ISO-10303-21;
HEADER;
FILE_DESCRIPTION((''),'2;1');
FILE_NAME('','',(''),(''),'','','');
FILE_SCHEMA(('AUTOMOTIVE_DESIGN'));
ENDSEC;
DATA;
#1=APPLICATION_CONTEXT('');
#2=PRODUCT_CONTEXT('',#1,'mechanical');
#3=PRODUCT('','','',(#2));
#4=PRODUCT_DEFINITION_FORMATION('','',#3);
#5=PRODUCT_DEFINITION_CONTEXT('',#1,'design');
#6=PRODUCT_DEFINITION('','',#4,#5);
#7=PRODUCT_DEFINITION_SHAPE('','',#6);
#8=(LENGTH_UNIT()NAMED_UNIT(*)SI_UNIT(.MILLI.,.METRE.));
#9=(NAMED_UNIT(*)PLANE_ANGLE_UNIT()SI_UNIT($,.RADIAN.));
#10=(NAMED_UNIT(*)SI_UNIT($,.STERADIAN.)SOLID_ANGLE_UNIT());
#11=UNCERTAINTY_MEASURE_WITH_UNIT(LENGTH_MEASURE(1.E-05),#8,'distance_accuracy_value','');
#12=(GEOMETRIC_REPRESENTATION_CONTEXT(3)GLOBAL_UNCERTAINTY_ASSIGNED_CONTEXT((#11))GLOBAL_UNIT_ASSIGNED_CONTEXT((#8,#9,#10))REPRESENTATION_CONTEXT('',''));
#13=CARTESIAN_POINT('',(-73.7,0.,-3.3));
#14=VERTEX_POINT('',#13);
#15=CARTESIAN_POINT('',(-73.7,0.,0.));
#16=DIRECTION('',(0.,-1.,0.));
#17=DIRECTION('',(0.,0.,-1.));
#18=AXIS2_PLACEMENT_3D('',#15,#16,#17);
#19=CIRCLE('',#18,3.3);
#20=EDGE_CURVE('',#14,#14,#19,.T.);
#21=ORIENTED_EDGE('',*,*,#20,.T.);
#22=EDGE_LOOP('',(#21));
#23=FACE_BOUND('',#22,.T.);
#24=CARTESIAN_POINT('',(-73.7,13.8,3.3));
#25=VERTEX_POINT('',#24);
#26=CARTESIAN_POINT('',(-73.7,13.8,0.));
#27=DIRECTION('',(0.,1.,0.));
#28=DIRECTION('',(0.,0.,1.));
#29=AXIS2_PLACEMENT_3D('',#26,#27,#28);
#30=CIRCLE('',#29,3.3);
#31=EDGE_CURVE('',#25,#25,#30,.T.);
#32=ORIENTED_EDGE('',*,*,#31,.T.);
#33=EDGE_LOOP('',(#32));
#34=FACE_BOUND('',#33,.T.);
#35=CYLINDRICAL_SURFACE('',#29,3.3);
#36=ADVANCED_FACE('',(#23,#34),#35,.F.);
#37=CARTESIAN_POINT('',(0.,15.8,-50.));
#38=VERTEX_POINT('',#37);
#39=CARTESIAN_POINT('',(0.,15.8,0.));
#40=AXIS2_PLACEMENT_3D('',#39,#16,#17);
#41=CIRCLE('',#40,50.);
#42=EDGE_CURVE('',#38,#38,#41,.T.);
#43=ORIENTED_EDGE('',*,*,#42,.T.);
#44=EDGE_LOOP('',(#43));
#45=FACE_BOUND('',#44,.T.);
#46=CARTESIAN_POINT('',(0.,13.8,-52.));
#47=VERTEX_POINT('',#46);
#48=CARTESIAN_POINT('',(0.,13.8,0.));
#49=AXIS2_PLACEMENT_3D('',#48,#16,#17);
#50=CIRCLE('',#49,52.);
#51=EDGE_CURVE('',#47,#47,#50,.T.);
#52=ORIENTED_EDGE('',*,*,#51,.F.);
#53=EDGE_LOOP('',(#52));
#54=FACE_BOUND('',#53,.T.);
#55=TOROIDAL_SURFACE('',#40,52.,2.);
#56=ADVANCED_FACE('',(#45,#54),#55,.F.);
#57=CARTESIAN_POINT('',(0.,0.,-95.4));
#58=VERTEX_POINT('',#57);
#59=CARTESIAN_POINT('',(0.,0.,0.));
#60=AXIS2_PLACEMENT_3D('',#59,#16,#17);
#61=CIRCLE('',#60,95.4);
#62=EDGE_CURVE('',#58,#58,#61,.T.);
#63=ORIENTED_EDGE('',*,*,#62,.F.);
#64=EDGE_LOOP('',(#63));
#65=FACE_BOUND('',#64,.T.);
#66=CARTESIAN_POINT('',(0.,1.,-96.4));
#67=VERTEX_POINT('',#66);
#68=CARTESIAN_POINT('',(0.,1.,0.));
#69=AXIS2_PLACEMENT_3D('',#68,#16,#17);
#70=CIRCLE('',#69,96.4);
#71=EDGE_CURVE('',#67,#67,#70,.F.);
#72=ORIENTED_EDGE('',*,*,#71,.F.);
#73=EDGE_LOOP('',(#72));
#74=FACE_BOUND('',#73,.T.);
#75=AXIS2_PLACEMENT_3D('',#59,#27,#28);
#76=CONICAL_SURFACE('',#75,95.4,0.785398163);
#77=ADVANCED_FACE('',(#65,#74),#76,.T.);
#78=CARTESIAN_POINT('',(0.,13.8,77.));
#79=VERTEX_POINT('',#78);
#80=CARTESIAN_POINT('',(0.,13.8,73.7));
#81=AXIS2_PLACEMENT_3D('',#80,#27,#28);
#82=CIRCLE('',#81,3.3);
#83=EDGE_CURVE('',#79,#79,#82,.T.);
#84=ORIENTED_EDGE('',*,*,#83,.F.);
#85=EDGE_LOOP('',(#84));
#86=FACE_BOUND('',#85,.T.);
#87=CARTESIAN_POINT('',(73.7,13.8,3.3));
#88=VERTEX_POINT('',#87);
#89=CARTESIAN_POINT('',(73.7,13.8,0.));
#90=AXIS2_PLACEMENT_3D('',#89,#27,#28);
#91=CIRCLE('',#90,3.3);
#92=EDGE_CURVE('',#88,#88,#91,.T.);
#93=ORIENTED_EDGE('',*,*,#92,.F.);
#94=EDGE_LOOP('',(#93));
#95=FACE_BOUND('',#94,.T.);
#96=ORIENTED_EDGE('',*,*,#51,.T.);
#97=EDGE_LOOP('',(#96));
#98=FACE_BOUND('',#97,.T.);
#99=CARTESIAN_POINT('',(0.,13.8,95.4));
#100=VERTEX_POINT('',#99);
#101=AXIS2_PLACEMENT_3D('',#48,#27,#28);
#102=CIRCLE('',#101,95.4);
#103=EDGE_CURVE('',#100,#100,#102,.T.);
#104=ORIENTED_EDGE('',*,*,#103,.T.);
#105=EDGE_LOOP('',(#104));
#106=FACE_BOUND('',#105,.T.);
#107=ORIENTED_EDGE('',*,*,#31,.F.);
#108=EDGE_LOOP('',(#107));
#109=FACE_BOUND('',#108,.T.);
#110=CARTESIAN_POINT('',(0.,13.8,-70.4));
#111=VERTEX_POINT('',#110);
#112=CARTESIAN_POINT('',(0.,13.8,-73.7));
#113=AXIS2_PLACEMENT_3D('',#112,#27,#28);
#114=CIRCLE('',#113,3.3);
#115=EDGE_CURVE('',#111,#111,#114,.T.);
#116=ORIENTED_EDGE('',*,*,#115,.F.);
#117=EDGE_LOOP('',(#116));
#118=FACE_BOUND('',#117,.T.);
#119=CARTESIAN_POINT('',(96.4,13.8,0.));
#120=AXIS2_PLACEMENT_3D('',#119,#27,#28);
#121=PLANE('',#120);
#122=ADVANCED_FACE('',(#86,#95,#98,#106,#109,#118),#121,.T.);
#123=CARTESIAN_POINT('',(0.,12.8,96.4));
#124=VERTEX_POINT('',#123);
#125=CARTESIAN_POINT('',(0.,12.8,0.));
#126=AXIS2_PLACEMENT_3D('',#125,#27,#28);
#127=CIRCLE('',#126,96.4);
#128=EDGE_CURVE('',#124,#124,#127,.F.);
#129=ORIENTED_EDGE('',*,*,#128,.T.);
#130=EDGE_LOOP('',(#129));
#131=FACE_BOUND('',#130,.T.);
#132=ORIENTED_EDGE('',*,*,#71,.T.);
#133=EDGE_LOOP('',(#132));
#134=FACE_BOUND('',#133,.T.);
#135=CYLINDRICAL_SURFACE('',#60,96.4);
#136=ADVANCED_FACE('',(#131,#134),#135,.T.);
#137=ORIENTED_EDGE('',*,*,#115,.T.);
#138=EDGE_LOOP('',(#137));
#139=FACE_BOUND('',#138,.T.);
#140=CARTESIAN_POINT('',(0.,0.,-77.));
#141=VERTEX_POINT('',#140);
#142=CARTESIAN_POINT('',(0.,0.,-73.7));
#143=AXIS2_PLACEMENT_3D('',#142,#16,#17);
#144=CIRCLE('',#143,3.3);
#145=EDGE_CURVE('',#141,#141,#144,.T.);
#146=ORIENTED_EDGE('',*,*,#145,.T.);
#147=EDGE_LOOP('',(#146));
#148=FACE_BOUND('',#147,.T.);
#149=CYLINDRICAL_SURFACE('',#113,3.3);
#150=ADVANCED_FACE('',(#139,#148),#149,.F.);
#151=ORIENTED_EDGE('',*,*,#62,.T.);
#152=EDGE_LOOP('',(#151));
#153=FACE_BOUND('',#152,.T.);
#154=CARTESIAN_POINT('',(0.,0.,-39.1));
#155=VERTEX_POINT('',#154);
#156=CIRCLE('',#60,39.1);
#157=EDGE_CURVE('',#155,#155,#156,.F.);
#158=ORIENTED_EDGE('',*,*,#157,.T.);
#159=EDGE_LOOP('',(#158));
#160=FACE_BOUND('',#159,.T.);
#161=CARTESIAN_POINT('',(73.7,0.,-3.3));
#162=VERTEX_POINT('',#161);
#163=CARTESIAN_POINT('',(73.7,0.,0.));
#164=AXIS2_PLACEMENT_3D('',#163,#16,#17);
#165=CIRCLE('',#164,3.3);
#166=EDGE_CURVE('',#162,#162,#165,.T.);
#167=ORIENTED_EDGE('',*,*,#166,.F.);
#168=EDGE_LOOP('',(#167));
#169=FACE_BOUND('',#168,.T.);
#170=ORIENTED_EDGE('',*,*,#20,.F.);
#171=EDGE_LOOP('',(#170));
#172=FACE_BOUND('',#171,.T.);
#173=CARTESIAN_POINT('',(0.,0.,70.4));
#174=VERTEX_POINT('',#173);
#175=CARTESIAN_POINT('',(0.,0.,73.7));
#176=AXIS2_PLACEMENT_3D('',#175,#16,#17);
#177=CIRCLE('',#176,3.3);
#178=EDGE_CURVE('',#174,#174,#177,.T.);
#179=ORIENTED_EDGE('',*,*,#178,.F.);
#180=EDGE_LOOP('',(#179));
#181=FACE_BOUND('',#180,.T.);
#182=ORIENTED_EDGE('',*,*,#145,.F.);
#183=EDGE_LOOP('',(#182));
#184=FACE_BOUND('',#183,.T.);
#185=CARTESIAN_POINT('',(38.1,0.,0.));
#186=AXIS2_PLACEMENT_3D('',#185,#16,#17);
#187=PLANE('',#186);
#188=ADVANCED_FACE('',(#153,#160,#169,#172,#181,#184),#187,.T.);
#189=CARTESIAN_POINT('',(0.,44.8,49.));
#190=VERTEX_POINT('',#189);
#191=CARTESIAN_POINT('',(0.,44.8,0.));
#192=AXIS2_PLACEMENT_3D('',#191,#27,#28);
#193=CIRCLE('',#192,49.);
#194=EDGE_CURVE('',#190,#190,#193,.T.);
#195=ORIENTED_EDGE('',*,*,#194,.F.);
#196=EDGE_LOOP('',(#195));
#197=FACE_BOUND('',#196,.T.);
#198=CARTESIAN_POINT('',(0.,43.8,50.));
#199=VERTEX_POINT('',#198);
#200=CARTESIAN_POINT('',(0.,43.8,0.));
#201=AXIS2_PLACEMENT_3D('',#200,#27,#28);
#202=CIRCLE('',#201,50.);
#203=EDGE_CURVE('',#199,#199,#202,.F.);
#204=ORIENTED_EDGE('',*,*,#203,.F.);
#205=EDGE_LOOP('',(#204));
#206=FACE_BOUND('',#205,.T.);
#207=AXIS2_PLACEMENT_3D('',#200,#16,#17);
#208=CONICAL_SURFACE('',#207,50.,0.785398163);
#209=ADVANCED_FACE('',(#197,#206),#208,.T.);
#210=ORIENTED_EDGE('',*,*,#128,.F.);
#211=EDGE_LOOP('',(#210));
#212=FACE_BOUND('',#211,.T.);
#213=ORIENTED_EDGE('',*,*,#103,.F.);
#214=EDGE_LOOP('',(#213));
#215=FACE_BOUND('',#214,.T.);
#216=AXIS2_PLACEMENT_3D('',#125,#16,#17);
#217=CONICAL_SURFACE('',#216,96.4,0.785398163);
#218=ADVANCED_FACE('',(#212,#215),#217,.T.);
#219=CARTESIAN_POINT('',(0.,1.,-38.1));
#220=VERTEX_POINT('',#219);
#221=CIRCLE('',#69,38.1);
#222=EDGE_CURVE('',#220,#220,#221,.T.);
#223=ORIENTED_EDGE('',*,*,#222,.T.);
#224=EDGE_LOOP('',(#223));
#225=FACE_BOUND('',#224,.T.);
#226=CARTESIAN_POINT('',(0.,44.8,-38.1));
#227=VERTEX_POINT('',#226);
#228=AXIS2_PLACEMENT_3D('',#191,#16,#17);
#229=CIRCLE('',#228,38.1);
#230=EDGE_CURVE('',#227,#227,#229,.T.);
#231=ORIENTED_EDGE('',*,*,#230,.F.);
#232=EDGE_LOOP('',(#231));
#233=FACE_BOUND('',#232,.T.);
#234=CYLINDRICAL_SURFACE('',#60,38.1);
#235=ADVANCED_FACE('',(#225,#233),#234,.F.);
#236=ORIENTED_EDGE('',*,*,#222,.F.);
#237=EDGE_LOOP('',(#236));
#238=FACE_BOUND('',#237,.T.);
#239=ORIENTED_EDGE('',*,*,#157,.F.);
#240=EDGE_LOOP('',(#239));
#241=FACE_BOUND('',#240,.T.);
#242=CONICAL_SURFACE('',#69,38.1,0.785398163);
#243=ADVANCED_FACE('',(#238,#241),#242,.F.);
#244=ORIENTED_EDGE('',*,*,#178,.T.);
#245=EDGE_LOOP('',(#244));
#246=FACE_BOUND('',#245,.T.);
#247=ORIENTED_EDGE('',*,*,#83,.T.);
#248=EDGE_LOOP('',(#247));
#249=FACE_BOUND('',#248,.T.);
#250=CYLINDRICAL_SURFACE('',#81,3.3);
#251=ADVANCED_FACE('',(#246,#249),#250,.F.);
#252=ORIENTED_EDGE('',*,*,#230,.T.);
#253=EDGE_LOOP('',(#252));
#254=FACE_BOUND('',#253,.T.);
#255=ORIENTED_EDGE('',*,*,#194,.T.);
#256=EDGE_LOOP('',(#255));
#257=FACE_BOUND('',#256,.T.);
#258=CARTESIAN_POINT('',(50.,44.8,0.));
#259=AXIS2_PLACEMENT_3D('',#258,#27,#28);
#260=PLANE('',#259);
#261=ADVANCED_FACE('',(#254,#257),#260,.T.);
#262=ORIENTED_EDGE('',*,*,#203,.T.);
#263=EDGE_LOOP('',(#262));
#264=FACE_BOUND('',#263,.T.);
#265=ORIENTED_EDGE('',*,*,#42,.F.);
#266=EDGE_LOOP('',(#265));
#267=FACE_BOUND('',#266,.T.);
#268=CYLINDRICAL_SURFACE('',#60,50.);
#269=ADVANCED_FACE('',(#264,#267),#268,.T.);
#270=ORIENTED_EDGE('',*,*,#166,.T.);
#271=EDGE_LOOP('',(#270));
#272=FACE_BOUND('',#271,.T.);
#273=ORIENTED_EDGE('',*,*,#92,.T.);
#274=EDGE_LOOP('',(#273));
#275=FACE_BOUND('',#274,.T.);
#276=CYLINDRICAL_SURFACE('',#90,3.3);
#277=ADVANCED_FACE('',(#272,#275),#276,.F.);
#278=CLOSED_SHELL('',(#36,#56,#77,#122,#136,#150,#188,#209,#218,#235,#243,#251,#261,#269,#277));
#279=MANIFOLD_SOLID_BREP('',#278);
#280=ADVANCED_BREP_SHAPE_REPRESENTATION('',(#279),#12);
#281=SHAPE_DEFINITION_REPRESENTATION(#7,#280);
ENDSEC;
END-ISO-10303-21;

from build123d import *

# Parameters (mm, degrees)
CHANFRO1_SIZE               = 1
FURO_COM_FOLGA_DE_M61_D     = 6.6
FURO_COM_FOLGA_DE_M61_DEPTH = 23.799
FURO_COM_FOLGA_DE_M61_TIP   = 1.982840043


with BuildPart() as part:
    # Esboço1 → Revolução1 (revolve)
    with BuildSketch(Plane.XY):
        with BuildLine():
            Line((96.4, 0), (96.4, 13.8))
            Line((96.4, 13.8), (52, 13.8))
            ThreePointArc((52, 13.8), (50.585786438, 14.385786438), (50, 15.8))
            Line((50, 15.8), (50, 44.8))
            Line((50, 44.8), (38.1, 44.8))
            Line((38.1, 44.8), (38.1, 0))
            Line((38.1, 0), (96.4, 0))
        make_face()
    revolve(axis=Axis((0, 0, 0), (0, 1, 0)))

    # Chanfro1
    chanfro1_edges = [part.edges().sort_by_distance(p)[0] for p in [
        (-96.4, 0, 0),
        (-96.4, 13.8, 0),
        (-50, 44.8, 0),
        (-38.1, 0, 0),
    ]]
    chamfer(chanfro1_edges, length=CHANFRO1_SIZE)

    # Furo com folga de M61
    with Locations(Plane.ZX.offset(13.8)):
        with Locations((0, 73.7), (73.7, 0), (0, -73.7), (-73.7, 0), (0, 0)):
            Hole(FURO_COM_FOLGA_DE_M61_D / 2, depth=FURO_COM_FOLGA_DE_M61_DEPTH)
            with Locations((0, 0, -(FURO_COM_FOLGA_DE_M61_DEPTH + FURO_COM_FOLGA_DE_M61_TIP / 2))):  # 118° drill point
                Cone(0, FURO_COM_FOLGA_DE_M61_D / 2, FURO_COM_FOLGA_DE_M61_TIP, mode=Mode.SUBTRACT)


solid = part.part
